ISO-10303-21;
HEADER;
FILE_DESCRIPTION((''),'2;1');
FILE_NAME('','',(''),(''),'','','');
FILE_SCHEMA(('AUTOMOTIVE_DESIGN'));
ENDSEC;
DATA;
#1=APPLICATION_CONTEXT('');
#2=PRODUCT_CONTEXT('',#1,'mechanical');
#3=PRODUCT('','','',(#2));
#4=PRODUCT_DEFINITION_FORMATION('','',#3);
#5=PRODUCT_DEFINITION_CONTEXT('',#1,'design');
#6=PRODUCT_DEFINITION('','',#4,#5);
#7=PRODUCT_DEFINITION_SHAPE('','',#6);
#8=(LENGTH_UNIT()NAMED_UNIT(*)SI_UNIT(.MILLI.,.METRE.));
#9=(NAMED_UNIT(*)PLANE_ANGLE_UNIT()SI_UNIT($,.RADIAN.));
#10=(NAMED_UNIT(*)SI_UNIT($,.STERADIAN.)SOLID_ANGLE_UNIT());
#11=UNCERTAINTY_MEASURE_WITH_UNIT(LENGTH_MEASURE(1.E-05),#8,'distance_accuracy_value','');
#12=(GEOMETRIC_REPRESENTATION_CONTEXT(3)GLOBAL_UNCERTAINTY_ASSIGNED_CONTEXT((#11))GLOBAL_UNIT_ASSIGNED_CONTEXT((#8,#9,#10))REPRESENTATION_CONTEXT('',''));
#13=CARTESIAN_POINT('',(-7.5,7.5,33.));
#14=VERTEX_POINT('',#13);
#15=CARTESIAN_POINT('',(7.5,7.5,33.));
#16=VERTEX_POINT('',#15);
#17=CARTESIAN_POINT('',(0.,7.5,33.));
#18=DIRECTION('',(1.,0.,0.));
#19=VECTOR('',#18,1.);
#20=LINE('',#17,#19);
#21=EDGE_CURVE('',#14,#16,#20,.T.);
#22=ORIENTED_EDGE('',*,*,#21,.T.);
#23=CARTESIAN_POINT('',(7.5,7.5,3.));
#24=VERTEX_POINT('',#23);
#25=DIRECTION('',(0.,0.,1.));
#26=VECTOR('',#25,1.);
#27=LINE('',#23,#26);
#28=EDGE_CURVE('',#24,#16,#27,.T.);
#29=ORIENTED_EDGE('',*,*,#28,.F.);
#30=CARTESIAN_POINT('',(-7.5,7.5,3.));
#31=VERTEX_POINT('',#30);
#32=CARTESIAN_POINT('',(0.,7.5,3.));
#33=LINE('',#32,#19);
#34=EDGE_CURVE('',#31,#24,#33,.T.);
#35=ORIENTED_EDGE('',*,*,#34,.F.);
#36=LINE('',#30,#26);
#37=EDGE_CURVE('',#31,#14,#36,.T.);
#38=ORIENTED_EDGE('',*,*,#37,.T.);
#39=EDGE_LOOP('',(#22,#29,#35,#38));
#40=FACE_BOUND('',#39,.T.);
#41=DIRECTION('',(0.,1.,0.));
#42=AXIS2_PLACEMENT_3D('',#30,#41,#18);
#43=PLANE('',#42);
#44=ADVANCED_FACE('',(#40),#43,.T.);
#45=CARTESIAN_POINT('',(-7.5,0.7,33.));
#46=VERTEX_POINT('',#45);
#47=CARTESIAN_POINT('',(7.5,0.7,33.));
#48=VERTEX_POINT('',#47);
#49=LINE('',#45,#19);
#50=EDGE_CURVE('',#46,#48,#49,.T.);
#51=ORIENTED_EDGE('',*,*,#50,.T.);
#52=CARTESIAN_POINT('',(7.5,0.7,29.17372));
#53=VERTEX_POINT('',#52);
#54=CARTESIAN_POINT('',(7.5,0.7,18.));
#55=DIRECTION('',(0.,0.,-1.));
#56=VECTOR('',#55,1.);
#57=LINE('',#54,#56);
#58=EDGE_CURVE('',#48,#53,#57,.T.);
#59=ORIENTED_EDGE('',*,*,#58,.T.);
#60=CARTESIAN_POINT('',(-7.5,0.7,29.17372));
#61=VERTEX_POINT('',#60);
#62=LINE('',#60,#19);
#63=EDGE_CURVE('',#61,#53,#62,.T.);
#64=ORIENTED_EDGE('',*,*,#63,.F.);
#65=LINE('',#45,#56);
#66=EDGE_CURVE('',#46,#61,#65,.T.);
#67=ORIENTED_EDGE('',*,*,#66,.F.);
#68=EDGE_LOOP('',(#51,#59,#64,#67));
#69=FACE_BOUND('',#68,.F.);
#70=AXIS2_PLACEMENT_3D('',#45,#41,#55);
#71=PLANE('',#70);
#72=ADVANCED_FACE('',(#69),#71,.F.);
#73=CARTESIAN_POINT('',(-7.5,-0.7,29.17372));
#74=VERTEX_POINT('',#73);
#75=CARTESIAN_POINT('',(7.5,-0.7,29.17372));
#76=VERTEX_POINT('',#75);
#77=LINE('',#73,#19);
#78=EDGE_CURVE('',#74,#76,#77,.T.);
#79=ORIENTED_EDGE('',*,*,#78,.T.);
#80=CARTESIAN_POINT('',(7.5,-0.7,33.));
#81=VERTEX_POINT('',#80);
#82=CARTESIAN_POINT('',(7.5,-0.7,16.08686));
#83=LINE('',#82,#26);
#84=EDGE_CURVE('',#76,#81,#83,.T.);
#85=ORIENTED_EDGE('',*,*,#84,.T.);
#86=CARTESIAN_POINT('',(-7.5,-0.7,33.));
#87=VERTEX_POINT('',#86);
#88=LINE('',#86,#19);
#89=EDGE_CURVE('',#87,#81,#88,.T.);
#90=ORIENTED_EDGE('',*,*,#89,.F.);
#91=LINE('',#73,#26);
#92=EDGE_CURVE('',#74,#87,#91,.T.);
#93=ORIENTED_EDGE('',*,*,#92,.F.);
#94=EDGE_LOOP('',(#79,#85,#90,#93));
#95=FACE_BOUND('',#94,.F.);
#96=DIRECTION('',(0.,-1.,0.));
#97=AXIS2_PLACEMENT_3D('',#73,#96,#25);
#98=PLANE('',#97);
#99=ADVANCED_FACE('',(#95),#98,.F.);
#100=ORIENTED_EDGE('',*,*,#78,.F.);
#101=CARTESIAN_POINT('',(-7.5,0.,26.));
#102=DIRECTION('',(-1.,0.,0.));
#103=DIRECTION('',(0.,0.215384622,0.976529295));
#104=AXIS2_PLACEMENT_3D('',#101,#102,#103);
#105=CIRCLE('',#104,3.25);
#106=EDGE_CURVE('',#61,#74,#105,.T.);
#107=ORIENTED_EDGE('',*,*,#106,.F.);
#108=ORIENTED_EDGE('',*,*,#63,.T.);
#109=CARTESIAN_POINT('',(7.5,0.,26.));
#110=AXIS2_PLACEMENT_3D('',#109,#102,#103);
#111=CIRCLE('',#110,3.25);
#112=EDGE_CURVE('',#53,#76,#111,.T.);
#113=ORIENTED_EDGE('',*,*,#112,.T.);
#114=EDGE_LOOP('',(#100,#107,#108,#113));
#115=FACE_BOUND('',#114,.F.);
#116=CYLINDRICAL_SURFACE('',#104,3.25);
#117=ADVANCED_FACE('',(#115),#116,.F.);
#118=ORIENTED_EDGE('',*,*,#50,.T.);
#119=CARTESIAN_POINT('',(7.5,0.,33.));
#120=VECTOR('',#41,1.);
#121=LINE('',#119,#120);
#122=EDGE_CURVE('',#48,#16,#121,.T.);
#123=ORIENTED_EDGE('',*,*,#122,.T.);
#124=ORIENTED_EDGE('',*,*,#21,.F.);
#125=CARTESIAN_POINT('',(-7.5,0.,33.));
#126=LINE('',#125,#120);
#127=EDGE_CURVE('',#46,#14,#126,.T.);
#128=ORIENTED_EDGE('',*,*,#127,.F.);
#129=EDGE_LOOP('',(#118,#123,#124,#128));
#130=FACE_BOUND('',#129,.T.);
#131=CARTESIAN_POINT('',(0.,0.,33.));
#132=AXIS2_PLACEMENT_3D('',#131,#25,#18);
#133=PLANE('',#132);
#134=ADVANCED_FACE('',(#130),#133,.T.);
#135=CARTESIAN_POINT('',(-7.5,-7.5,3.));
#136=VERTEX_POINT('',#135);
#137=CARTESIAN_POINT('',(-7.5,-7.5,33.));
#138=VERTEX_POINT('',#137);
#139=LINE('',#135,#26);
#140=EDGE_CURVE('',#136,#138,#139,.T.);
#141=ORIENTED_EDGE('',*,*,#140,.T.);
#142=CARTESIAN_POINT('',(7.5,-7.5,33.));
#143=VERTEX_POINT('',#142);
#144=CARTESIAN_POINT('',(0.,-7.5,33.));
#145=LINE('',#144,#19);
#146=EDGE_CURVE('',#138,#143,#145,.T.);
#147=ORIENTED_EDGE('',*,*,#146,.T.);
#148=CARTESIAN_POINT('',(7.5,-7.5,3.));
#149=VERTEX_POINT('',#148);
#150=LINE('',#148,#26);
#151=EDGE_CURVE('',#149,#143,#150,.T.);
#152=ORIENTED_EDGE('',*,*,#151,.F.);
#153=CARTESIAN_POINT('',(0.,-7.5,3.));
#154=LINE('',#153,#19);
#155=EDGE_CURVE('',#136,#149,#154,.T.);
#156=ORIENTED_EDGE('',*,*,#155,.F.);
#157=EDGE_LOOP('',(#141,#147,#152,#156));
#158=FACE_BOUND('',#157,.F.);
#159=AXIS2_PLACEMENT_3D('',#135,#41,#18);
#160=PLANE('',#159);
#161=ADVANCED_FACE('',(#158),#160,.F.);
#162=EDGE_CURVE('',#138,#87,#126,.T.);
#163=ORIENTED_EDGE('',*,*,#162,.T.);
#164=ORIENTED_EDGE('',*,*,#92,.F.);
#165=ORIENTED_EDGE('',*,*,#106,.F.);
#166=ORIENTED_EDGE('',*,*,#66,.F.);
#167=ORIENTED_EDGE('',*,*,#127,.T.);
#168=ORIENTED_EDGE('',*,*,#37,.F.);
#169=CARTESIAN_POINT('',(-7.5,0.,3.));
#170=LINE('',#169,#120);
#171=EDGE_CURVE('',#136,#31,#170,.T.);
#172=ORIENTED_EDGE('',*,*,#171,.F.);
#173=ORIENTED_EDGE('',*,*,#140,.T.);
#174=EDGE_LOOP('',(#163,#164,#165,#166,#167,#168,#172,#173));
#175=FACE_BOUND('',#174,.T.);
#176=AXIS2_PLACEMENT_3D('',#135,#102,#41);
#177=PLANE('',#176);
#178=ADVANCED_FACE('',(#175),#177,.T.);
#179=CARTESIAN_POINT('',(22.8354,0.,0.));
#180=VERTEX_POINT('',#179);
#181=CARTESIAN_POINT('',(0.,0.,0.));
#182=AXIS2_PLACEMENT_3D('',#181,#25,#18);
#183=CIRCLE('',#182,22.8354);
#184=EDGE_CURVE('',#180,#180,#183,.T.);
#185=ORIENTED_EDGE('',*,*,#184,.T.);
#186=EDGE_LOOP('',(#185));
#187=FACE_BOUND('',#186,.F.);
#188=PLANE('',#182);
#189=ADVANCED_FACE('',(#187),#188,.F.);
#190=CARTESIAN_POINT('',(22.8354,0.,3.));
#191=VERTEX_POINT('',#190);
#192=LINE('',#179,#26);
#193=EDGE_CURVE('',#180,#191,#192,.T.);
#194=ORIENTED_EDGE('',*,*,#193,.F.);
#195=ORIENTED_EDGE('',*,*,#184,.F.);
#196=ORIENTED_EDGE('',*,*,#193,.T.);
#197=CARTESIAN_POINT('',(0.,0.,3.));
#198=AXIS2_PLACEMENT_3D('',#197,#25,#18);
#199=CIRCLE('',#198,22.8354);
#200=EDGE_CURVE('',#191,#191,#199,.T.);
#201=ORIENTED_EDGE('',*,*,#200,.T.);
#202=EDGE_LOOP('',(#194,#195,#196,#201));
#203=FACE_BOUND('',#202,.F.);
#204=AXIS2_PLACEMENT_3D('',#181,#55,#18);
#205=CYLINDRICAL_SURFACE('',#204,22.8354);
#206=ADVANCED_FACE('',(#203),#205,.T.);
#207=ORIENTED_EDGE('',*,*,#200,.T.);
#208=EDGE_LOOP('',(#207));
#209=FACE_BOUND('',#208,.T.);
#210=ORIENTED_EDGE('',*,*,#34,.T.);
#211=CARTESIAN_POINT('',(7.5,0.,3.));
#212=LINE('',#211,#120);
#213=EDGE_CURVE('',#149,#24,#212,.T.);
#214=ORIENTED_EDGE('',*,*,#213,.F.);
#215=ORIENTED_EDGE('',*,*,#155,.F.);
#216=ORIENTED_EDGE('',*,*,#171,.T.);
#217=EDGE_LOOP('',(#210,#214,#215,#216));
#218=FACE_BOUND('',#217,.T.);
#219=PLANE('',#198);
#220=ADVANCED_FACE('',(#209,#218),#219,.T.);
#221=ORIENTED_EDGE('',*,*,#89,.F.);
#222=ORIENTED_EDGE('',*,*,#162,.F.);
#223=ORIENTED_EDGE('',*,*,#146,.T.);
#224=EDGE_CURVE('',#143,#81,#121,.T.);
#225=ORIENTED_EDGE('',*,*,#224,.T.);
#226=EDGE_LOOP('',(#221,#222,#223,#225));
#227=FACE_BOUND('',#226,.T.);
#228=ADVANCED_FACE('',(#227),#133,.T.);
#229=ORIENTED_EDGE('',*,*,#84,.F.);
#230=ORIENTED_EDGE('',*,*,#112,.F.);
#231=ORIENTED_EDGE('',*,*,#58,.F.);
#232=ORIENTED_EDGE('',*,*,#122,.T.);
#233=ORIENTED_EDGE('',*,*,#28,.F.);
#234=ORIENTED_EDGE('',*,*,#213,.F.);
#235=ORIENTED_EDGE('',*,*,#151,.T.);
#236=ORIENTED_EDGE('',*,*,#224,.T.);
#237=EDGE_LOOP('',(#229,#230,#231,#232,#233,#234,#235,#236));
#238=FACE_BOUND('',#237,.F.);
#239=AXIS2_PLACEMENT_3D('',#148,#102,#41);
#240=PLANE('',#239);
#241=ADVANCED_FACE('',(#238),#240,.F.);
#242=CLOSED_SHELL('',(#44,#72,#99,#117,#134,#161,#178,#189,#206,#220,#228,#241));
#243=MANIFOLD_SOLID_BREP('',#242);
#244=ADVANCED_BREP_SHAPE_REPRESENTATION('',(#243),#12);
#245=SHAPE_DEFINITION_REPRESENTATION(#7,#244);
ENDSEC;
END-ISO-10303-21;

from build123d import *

# Parameters (mm, degrees)
F0_R     = 22.8354
F1_DEPTH = 3
F2_W     = 15
F2_H     = 15
F3_DEPTH = 30
F5_DEPTH = 25


with BuildPart() as f1:
    # F0 (on Top) → F1 (new body)
    with BuildSketch(Plane.XY):
        Circle(F0_R)
    extrude(amount=F1_DEPTH)

    # F2 (on face) → F3 (join)
    with BuildSketch(Plane.XY.offset(3)):
        Rectangle(F2_W, F2_H)
    extrude(amount=F3_DEPTH)

    # F4 (on face) → F5 (cut)
    with BuildSketch(Plane(origin=(-7.5, 0, 0), x_dir=(0, -1, 0), z_dir=(-1, 0, 0))):
        with BuildLine():
            Line((-0.7, 33), (-0.7, 29.17372))
            ThreePointArc((-0.7, 29.17372), (0, 22.75), (0.7, 29.17372))
            Line((0.7, 29.17372), (0.7, 33))
            Line((0.7, 33), (-0.7, 33))
        make_face()
    extrude(amount=-F5_DEPTH, mode=Mode.SUBTRACT)


solid = f1.part
